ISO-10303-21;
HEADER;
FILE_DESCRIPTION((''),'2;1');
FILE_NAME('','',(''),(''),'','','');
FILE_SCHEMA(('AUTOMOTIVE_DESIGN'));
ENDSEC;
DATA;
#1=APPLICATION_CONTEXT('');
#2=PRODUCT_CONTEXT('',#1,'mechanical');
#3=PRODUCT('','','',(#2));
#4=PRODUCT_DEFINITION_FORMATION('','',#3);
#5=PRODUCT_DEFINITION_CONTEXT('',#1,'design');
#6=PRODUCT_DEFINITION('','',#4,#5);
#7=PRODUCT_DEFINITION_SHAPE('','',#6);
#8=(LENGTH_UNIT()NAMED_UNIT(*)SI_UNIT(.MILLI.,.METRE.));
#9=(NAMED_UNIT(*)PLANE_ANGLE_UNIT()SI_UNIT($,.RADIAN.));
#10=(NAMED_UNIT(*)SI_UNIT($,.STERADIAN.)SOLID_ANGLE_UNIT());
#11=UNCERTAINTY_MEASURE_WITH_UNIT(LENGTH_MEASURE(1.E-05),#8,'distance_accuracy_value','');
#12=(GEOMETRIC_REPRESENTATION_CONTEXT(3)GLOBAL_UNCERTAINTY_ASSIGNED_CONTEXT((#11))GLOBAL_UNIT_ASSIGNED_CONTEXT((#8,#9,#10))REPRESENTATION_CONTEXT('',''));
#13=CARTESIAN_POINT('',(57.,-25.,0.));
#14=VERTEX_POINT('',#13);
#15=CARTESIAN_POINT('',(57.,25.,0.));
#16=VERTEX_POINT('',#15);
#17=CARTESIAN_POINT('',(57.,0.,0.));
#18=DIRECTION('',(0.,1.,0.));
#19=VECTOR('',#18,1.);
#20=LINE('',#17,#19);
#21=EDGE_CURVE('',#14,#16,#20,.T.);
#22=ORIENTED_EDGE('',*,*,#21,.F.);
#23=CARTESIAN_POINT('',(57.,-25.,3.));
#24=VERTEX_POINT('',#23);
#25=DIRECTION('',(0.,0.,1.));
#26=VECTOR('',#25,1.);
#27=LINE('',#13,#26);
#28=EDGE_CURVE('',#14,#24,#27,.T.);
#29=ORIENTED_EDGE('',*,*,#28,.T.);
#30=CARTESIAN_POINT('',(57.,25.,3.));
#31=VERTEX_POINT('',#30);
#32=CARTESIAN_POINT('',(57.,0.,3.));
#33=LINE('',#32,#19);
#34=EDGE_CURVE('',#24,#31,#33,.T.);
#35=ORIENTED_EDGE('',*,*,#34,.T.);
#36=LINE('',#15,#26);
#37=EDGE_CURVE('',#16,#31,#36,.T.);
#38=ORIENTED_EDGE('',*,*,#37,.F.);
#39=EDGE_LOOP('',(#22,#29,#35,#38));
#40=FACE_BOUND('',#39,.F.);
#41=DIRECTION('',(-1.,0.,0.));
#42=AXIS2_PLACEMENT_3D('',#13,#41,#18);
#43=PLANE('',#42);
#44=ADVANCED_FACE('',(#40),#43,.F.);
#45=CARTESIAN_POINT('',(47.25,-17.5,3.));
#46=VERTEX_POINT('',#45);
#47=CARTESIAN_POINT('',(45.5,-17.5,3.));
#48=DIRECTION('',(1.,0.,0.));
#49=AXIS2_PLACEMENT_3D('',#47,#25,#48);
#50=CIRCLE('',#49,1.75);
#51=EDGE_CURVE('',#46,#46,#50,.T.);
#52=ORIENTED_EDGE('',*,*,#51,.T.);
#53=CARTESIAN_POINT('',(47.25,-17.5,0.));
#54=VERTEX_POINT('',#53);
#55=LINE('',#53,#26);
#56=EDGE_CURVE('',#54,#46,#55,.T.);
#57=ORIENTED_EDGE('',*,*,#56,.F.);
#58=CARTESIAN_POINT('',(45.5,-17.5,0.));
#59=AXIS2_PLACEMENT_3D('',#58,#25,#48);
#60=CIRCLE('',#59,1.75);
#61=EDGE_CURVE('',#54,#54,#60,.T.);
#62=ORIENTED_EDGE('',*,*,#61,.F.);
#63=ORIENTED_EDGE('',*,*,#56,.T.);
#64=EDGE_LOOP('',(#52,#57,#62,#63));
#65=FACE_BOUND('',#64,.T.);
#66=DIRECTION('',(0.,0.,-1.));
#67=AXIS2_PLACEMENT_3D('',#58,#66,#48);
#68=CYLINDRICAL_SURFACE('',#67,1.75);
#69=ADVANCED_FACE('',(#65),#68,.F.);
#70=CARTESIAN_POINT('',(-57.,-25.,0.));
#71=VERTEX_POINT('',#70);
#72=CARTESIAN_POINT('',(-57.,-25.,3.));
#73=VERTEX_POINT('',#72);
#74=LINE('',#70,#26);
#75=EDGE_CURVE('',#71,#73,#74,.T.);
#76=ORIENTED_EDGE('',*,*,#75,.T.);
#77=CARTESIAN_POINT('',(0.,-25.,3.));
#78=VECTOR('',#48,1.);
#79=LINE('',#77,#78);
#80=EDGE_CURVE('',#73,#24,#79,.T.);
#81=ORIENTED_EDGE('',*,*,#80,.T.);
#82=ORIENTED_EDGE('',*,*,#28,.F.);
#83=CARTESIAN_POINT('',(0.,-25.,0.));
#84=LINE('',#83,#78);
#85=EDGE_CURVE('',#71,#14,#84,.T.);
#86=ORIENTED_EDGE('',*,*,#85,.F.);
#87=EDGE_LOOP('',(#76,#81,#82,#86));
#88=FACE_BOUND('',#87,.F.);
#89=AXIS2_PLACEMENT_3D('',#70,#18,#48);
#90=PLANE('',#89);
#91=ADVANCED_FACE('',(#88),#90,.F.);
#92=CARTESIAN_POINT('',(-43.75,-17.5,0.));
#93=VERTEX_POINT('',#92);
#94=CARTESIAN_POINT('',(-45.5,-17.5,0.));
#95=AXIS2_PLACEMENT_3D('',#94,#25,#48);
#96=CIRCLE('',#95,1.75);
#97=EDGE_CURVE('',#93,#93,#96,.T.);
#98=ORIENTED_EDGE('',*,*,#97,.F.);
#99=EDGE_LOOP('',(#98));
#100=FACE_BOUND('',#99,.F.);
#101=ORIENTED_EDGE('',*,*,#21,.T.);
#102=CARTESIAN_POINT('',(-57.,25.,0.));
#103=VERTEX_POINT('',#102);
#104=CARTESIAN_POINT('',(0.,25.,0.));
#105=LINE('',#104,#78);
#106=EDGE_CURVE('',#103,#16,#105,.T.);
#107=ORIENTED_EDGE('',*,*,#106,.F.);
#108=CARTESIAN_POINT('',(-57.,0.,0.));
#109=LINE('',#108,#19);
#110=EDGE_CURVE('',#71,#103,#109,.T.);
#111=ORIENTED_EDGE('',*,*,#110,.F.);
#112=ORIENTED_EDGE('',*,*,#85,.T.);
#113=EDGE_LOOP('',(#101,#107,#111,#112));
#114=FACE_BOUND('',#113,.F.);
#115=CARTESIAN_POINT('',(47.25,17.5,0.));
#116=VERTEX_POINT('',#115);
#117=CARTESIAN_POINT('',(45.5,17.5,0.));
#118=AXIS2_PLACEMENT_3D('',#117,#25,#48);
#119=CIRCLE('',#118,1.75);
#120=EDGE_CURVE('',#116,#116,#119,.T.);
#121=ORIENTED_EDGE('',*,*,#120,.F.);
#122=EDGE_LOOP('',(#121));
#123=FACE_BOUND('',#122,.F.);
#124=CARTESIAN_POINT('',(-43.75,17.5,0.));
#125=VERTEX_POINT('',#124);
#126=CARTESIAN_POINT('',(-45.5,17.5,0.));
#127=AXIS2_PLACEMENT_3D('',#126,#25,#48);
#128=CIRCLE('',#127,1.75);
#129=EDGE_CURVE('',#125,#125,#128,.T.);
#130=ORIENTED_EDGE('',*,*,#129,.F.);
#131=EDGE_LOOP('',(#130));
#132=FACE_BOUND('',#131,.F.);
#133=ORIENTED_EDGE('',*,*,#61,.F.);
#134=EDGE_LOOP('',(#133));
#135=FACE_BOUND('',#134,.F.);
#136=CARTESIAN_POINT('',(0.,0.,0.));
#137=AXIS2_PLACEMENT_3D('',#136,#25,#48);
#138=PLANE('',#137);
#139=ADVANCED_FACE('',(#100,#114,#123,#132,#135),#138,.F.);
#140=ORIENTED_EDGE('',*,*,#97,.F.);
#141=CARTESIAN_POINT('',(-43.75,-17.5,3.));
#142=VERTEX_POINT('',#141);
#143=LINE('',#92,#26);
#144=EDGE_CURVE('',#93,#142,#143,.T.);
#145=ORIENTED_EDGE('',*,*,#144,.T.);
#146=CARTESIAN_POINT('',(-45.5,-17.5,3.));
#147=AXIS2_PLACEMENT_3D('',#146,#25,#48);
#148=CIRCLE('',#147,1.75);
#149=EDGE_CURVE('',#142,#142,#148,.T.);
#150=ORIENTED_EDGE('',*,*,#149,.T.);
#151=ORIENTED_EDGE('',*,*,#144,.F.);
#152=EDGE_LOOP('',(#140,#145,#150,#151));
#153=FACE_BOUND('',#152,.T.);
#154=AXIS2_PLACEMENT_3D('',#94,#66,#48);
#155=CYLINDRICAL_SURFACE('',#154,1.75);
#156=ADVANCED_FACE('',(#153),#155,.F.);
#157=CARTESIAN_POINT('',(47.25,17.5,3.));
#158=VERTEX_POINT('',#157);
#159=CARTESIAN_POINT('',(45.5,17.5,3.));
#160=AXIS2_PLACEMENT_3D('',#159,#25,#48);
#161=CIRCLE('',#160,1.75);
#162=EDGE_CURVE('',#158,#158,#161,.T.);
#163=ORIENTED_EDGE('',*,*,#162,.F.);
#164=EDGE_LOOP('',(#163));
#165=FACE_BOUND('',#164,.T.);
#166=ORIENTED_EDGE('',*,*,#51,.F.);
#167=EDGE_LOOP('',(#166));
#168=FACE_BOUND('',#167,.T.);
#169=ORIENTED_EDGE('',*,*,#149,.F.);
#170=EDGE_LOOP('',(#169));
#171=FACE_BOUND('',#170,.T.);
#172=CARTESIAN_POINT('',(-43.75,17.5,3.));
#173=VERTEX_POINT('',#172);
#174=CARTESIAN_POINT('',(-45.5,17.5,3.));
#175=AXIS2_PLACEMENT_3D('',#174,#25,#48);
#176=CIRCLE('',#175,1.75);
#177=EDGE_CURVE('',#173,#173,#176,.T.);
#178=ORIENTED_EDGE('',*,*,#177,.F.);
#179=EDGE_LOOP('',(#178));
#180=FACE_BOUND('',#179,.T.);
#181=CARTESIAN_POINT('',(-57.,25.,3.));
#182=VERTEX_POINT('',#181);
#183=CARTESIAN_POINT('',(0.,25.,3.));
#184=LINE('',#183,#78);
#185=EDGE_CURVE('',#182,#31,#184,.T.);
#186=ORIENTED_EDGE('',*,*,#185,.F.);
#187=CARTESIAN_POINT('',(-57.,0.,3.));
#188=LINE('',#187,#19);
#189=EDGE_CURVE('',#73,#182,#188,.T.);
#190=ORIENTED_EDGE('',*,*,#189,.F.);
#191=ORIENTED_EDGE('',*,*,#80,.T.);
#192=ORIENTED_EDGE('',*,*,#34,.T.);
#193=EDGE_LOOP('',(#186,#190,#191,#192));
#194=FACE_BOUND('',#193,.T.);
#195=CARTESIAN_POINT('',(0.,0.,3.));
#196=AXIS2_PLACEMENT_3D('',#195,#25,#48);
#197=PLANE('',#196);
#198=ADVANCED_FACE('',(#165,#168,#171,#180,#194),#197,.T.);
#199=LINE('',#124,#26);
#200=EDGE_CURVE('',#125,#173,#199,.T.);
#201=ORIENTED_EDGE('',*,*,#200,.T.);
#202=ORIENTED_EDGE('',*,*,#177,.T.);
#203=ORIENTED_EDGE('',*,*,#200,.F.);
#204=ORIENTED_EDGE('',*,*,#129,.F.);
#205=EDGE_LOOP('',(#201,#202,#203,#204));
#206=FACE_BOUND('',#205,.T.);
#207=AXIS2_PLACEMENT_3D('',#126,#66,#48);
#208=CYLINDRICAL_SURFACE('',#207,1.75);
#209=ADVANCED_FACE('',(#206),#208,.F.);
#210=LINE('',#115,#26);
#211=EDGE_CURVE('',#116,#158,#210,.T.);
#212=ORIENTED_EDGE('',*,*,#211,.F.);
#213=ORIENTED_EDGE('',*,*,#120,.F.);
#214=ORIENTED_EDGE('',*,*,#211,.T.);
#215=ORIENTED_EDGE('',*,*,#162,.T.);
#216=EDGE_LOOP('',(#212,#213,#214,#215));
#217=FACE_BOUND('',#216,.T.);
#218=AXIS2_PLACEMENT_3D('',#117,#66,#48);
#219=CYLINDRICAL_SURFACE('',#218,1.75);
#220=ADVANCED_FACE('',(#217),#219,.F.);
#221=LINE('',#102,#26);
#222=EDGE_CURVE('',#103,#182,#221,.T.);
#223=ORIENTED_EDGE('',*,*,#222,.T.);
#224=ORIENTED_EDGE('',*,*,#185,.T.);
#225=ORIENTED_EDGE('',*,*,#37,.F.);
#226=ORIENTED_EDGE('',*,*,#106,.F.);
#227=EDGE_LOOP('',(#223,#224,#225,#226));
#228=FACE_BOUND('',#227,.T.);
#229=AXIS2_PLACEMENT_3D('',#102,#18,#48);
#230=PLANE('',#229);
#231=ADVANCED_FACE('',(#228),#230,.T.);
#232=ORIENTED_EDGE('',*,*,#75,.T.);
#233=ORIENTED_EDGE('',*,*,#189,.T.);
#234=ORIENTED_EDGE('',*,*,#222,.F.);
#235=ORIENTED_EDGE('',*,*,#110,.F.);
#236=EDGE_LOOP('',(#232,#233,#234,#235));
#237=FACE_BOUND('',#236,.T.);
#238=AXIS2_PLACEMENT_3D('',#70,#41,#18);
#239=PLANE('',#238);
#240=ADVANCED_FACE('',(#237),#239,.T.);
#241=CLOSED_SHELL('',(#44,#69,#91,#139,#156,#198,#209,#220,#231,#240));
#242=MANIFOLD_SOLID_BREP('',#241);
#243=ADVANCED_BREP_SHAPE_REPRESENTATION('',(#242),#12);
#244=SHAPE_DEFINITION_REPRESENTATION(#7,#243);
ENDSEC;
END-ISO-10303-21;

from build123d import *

# Parameters (mm, degrees)
SKETCH_W  = 114
SKETCH_H  = 50
SKETCH_R  = 1.75
PAD_DEPTH = 3


with BuildPart() as part:
    # Sketch → Pad (new body)
    with BuildSketch(Plane.XY):
        Rectangle(SKETCH_W, SKETCH_H)
        with Locations((-45.5, 17.5)):
            Circle(SKETCH_R, mode=Mode.SUBTRACT)
        with Locations((-45.5, -17.5)):
            Circle(SKETCH_R, mode=Mode.SUBTRACT)
        with Locations((45.5, -17.5)):
            Circle(SKETCH_R, mode=Mode.SUBTRACT)
        with Locations((45.5, 17.5)):
            Circle(SKETCH_R, mode=Mode.SUBTRACT)
    extrude(amount=PAD_DEPTH)


solid = part.part
